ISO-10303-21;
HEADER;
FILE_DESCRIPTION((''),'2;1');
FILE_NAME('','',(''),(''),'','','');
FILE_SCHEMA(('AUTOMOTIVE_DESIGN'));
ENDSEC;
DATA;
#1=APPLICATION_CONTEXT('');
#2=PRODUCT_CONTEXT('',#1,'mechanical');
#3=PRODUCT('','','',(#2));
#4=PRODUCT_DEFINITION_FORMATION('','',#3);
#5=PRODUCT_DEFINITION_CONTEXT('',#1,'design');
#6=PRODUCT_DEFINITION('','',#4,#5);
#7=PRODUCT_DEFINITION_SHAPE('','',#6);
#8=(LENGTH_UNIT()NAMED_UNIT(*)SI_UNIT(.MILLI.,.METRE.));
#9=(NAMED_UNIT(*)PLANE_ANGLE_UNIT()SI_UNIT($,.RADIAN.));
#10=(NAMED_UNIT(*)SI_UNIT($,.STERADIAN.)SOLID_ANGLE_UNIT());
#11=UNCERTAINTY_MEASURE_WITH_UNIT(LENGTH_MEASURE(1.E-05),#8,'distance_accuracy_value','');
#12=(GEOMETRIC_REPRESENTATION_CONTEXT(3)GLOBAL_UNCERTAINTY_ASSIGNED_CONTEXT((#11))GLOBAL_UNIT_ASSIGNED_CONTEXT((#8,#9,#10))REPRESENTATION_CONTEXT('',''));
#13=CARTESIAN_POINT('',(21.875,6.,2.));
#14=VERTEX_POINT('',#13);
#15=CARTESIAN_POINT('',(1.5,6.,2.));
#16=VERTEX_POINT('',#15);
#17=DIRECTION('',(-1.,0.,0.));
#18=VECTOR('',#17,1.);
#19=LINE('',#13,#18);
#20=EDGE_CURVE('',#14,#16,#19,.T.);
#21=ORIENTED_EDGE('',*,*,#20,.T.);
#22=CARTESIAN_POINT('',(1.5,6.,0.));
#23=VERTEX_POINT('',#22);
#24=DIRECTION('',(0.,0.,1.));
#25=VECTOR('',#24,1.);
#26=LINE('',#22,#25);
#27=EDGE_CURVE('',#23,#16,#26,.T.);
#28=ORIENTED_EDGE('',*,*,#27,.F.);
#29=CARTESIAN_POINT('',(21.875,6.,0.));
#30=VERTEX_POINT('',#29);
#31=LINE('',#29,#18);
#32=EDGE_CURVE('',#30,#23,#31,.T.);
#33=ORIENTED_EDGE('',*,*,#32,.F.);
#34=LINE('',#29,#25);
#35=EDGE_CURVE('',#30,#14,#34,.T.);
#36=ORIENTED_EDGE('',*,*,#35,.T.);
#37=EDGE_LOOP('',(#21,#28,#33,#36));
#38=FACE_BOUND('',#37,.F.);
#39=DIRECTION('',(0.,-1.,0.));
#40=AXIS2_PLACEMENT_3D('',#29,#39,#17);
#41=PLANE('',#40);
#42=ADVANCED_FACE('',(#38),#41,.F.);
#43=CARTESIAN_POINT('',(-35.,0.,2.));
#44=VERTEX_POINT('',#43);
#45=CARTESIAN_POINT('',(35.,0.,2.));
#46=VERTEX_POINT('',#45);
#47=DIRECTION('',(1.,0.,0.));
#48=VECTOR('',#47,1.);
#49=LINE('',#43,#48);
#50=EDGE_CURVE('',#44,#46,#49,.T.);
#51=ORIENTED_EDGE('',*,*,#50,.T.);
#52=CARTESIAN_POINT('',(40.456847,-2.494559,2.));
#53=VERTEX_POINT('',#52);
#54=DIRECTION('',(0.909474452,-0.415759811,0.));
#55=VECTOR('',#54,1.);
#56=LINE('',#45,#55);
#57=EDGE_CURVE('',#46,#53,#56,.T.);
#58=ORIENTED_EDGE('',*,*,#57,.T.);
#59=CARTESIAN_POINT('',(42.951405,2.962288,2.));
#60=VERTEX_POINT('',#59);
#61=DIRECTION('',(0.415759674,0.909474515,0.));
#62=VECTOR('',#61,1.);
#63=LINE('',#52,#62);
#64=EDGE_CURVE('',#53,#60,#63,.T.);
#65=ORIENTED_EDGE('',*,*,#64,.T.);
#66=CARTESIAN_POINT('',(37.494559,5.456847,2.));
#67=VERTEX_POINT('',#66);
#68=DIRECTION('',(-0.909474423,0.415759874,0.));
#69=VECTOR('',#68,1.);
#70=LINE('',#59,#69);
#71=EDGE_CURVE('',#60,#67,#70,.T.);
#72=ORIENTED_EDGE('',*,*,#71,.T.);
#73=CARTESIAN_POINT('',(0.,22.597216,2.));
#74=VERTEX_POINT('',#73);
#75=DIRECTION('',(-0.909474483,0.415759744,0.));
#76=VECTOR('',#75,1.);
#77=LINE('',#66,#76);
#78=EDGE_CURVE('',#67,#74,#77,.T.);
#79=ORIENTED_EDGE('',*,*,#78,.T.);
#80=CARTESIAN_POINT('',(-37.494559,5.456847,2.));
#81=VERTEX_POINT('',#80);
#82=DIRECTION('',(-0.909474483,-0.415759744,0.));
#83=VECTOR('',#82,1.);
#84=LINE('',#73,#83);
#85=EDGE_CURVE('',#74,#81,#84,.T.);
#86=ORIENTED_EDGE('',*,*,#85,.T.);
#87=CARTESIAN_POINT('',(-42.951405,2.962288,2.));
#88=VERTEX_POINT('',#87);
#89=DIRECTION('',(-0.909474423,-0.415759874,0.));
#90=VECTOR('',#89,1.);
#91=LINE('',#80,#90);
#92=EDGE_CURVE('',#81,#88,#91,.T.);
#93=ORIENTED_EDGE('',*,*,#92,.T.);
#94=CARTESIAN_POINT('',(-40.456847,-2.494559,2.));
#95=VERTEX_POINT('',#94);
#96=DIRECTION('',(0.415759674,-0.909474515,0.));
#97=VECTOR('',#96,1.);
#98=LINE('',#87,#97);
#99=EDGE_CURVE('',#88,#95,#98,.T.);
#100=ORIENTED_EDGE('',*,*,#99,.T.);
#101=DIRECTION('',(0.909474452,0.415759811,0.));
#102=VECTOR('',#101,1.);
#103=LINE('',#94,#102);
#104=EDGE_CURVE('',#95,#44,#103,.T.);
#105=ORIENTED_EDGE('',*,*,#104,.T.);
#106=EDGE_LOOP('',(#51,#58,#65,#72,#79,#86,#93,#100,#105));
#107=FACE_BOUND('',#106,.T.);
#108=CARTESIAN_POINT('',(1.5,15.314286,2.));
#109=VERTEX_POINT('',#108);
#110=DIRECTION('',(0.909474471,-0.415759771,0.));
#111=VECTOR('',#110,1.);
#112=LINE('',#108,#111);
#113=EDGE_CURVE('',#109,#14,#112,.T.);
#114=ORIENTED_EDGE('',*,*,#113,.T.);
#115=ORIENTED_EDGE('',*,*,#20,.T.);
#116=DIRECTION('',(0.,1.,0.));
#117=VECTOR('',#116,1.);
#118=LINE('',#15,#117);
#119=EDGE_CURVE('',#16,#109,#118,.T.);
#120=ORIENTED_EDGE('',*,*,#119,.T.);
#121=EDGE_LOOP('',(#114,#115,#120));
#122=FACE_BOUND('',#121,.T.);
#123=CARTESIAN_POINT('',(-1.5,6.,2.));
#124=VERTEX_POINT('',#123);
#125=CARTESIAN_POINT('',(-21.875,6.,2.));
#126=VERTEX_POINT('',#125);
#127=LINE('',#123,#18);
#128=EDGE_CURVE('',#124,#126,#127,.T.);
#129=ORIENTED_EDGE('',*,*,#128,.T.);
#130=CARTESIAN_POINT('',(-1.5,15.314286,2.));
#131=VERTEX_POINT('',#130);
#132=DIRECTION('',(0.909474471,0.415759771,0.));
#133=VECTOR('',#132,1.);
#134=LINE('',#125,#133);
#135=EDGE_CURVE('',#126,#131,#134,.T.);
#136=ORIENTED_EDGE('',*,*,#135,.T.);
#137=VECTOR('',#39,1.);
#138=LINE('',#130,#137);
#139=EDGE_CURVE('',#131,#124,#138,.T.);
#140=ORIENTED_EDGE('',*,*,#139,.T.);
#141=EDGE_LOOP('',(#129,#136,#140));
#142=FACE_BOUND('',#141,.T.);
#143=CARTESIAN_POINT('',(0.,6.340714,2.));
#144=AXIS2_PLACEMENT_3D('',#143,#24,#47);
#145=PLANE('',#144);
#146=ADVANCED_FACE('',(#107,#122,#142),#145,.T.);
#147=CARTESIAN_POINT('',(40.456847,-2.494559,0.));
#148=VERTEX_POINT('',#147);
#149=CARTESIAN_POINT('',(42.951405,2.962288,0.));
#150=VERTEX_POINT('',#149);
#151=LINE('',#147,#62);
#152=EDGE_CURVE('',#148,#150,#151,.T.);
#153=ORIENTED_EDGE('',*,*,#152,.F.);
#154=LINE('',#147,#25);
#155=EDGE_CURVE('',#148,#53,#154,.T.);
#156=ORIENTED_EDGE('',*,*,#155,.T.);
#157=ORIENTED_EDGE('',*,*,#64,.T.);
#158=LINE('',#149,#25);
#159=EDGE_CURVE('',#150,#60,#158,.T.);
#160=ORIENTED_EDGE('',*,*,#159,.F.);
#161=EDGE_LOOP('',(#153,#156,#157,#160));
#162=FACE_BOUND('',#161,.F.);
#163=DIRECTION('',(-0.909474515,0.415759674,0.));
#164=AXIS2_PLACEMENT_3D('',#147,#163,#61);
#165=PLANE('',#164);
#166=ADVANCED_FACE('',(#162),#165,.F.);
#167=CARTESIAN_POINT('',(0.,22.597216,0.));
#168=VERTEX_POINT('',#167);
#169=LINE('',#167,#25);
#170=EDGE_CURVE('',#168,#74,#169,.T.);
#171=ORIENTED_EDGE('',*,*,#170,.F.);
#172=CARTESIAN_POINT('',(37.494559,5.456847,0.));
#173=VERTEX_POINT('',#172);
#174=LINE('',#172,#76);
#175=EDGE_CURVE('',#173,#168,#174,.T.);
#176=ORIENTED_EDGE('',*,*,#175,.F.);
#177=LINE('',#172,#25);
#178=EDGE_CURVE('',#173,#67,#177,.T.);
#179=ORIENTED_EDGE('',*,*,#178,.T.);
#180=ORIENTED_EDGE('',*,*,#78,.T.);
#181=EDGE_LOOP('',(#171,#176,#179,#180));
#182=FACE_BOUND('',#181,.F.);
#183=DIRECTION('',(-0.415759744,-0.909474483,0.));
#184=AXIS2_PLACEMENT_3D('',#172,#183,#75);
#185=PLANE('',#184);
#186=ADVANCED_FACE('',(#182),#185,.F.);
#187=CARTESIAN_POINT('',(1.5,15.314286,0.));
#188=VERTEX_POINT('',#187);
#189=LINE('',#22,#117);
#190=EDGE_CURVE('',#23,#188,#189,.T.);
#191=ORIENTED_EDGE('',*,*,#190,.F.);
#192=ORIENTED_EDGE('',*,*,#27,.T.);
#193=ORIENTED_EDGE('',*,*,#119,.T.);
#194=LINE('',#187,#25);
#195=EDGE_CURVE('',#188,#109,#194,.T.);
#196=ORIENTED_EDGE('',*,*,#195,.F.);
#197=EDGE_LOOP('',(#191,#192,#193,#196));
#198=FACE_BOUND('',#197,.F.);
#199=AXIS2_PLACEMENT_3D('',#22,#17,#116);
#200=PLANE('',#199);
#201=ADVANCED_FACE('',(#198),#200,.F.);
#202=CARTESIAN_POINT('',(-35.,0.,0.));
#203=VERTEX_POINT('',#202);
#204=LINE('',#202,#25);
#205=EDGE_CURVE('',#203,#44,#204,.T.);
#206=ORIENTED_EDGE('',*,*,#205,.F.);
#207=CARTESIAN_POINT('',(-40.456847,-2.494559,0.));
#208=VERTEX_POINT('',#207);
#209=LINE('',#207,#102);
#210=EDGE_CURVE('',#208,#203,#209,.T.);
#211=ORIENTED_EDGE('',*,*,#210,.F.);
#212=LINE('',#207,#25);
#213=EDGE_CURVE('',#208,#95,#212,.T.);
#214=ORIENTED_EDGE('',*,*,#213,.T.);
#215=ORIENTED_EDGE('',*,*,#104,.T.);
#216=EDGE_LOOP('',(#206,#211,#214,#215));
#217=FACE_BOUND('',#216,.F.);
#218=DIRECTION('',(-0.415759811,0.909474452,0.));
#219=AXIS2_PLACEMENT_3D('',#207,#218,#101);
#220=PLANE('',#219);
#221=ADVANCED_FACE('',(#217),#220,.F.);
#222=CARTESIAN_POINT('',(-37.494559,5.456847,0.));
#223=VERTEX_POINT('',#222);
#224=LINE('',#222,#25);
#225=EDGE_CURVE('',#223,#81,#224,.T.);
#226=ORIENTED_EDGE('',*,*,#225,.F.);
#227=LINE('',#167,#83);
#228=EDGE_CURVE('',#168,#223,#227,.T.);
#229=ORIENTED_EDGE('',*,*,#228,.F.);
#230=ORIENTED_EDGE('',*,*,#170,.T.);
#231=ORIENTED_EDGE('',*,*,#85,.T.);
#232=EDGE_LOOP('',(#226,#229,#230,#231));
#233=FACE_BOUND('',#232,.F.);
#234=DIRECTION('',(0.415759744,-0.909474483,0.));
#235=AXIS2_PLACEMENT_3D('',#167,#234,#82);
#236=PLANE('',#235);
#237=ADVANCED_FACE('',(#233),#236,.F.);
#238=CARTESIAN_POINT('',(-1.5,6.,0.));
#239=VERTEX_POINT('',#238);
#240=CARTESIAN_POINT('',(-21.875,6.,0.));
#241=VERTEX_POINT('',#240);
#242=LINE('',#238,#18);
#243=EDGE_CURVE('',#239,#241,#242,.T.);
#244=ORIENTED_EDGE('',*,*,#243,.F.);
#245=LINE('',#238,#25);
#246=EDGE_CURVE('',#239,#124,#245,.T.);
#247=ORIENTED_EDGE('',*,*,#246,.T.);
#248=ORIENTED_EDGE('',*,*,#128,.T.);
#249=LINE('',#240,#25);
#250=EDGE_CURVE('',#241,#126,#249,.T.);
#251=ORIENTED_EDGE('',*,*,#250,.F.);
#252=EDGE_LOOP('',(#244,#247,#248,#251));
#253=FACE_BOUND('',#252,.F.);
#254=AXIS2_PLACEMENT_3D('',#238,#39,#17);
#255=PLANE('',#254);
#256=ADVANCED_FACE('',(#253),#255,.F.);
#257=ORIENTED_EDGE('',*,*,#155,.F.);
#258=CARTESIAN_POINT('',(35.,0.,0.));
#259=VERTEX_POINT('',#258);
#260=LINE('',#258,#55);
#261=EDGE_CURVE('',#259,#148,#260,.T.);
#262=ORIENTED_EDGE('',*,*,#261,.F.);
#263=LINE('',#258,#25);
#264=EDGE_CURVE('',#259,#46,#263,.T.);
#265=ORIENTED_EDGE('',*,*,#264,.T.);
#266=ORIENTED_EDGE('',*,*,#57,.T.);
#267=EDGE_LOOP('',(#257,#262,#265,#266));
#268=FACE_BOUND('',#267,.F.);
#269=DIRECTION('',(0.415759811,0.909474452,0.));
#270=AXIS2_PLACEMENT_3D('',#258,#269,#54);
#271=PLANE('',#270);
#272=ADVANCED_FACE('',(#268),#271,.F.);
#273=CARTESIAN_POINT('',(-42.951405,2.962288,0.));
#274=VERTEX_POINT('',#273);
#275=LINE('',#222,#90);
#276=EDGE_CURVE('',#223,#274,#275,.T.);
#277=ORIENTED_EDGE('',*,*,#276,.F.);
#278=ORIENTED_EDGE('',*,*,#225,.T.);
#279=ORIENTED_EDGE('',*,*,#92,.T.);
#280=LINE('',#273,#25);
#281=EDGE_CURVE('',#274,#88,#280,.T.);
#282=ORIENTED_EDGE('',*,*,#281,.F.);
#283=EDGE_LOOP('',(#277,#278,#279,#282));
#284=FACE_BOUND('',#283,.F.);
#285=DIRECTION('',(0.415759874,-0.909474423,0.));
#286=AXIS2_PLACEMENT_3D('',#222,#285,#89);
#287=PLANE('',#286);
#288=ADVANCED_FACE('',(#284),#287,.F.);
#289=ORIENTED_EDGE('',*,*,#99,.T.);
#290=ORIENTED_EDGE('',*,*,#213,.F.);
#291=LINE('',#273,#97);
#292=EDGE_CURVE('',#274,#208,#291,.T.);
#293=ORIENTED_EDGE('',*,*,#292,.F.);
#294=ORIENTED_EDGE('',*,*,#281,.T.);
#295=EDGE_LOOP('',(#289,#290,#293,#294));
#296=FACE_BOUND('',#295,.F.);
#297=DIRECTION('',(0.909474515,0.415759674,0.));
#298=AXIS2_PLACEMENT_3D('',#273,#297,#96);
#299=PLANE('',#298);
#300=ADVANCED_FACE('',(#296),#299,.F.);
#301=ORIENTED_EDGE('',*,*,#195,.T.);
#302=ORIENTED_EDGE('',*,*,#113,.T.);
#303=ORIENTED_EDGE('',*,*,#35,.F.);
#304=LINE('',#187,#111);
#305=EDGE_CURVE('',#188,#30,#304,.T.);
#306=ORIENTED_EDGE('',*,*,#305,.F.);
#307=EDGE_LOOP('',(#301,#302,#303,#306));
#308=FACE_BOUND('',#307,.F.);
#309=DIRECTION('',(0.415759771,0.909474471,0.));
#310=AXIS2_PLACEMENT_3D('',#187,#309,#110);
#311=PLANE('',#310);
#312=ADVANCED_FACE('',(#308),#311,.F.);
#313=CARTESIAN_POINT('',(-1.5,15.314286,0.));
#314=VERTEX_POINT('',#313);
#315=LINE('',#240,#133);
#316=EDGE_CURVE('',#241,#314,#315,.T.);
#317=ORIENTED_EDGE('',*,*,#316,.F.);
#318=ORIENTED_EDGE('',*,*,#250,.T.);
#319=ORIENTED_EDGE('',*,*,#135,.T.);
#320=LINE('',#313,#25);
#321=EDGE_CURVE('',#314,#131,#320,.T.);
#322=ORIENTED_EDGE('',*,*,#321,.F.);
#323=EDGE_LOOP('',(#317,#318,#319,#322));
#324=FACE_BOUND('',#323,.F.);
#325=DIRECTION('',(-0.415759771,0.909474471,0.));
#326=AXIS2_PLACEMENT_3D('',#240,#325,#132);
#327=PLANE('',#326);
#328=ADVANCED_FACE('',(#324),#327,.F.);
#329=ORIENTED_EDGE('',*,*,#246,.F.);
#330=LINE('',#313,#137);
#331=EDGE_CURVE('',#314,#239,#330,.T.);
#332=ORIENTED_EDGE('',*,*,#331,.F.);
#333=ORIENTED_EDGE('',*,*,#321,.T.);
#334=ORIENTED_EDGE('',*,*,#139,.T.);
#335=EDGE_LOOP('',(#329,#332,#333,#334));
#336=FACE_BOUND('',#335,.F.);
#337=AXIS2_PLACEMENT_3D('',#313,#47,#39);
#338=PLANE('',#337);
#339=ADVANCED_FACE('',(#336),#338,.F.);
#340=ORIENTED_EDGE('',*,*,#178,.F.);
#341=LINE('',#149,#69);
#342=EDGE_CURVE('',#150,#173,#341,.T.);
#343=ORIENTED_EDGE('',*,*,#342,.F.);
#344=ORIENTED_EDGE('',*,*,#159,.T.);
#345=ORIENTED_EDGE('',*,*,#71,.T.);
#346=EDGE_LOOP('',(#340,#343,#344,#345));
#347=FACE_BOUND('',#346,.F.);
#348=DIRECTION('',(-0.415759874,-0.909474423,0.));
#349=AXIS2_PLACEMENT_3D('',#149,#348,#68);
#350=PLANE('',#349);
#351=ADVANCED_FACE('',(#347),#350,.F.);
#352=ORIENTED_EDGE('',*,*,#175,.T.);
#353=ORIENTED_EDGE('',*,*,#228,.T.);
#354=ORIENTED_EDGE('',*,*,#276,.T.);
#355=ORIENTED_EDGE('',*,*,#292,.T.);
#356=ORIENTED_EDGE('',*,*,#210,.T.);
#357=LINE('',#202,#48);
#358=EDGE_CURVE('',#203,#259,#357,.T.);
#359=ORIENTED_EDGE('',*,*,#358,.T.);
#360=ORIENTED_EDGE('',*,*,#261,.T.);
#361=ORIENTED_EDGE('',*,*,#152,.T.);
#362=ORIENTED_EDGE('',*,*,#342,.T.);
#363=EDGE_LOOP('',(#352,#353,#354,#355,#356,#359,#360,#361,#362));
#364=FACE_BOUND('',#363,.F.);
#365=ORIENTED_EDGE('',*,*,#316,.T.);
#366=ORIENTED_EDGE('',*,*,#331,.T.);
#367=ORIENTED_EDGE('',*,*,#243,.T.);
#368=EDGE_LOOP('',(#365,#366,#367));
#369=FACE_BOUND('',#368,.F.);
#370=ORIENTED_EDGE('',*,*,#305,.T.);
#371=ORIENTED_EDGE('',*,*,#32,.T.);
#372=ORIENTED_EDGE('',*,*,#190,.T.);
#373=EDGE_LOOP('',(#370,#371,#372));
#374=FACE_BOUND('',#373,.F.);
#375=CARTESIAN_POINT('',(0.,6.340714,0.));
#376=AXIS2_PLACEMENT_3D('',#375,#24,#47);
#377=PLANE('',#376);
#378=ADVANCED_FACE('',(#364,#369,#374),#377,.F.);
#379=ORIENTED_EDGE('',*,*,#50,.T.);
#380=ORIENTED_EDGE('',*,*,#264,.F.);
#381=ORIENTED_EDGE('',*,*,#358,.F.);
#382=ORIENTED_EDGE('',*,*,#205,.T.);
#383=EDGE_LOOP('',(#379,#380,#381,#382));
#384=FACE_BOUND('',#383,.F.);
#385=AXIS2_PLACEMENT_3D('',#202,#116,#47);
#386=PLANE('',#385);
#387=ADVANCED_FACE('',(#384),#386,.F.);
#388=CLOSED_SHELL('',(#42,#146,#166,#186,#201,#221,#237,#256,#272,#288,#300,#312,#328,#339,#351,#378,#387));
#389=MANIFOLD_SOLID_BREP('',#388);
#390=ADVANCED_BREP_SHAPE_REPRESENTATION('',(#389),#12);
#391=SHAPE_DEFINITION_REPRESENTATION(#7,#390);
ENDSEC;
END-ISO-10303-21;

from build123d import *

# Parameters (mm, degrees)
F1_DEPTH = 2


with BuildPart() as f1:
    # F0 (on Top) → F1 (new body)
    with BuildSketch(Plane.XY):
        Polygon((-35, 0), (0, 0), (35, 0), (40.456847, -2.494559), (42.951405, 2.962288), (37.494559, 5.456847), (0, 22.597216), (-37.494559, 5.456847), (-42.951405, 2.962288), (-40.456847, -2.494559), align=None)
        Polygon((-21.875, 6), (-1.5, 15.314286), (-1.5, 6), align=None, mode=Mode.SUBTRACT)
        Polygon((1.5, 6), (1.5, 15.314286), (21.875, 6), align=None, mode=Mode.SUBTRACT)
    extrude(amount=F1_DEPTH)


solid = f1.part
